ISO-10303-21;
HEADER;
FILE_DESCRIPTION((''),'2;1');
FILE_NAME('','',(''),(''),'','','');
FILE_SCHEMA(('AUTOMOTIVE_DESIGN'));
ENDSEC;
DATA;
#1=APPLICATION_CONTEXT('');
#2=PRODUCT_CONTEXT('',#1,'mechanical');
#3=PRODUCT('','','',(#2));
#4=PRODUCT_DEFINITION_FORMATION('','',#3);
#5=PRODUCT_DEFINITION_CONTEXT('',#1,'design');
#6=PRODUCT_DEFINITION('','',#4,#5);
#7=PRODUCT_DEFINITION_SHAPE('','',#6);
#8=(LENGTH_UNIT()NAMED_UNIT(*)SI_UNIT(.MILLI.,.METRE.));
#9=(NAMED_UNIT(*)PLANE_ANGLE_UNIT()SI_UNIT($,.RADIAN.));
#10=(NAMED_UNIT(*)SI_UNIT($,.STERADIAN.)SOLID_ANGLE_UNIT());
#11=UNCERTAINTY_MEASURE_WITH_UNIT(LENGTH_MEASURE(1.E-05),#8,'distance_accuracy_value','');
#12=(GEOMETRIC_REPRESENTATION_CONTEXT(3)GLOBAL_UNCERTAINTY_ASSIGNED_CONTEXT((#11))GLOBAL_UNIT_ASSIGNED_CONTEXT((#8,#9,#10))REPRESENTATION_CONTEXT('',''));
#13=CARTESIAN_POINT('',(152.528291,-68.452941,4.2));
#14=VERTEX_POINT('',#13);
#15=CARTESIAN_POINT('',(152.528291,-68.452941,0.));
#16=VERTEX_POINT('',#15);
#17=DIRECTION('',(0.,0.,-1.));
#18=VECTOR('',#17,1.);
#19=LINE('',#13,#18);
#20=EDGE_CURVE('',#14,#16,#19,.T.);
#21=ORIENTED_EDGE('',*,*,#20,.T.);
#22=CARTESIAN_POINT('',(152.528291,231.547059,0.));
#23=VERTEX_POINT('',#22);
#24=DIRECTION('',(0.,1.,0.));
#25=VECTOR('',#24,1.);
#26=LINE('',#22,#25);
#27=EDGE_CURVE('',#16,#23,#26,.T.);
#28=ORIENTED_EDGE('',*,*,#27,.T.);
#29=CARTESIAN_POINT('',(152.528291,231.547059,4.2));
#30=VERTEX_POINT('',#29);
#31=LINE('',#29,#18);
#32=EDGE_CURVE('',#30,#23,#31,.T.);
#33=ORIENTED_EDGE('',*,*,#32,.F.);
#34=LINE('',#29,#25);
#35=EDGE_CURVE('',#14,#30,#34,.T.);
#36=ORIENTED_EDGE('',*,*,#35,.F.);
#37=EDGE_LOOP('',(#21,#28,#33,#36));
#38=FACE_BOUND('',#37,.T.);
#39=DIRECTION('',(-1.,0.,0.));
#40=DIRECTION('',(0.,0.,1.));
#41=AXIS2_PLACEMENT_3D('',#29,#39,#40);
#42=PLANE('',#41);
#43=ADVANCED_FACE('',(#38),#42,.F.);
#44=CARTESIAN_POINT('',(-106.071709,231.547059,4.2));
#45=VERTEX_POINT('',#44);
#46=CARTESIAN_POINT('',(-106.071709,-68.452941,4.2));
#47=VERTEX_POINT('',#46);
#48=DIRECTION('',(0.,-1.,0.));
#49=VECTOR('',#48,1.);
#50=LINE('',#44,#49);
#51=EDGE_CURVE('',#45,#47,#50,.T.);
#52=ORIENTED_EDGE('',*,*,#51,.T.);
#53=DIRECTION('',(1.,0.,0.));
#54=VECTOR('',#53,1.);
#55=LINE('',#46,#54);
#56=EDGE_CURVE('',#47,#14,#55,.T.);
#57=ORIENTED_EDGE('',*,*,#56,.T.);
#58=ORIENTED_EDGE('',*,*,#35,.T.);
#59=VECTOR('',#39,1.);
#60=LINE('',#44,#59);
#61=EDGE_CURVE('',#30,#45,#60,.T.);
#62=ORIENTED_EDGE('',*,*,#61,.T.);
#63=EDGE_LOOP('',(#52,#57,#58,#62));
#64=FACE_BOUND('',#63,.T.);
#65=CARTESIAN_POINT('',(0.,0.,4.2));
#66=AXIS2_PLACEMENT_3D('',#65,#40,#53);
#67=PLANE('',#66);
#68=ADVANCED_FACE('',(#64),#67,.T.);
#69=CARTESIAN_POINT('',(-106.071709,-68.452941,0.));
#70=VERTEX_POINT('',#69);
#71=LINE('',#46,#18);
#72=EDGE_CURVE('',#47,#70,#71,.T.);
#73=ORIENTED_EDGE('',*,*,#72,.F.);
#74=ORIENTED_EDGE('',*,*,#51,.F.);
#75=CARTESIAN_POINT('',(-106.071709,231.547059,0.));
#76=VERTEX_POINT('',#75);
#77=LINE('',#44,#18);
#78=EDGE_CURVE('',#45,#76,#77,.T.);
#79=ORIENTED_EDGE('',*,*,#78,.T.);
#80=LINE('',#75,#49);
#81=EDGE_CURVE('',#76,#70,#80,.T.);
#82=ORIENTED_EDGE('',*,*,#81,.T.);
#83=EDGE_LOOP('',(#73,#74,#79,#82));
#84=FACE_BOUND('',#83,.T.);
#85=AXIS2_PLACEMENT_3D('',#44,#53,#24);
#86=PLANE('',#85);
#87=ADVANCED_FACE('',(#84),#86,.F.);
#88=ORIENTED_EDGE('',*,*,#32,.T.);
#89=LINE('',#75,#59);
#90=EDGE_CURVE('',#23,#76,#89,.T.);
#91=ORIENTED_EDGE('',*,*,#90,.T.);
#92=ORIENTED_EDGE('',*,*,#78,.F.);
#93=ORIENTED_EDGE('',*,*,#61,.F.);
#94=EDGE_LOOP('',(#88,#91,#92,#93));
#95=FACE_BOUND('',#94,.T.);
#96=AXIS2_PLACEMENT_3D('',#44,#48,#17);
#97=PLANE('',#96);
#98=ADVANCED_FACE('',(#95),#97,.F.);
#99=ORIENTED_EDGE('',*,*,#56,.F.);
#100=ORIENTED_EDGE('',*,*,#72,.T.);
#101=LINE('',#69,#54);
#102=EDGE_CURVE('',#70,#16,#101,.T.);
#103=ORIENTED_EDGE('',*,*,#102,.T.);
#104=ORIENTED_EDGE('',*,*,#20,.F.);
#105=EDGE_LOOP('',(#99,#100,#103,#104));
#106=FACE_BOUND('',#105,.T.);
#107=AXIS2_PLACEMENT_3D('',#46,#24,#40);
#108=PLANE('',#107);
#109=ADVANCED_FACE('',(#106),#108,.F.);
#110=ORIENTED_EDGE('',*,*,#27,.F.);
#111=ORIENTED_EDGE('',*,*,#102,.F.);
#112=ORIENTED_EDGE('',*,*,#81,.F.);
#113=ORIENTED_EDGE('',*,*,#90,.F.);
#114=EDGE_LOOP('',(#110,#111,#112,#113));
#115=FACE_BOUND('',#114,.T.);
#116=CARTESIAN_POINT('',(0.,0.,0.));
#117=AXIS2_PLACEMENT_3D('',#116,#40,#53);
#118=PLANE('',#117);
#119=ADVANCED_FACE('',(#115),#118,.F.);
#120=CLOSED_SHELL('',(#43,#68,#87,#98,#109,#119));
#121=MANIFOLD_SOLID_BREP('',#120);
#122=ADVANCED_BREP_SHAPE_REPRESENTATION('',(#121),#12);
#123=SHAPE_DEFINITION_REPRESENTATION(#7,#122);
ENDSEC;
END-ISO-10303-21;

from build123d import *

# Parameters (mm, degrees)
ESQUISSE1_W        = 258.6
ESQUISSE1_H        = 300
BOSS_EXTRU_1_DEPTH = 4.2


with BuildPart() as part:
    # Esquisse1 → Boss.-Extru.1 (new body)
    with BuildSketch(Plane.XY):
        with Locations((23.228291112, 81.547058824)):
            Rectangle(ESQUISSE1_W, ESQUISSE1_H)
    extrude(amount=BOSS_EXTRU_1_DEPTH)


solid = part.part
